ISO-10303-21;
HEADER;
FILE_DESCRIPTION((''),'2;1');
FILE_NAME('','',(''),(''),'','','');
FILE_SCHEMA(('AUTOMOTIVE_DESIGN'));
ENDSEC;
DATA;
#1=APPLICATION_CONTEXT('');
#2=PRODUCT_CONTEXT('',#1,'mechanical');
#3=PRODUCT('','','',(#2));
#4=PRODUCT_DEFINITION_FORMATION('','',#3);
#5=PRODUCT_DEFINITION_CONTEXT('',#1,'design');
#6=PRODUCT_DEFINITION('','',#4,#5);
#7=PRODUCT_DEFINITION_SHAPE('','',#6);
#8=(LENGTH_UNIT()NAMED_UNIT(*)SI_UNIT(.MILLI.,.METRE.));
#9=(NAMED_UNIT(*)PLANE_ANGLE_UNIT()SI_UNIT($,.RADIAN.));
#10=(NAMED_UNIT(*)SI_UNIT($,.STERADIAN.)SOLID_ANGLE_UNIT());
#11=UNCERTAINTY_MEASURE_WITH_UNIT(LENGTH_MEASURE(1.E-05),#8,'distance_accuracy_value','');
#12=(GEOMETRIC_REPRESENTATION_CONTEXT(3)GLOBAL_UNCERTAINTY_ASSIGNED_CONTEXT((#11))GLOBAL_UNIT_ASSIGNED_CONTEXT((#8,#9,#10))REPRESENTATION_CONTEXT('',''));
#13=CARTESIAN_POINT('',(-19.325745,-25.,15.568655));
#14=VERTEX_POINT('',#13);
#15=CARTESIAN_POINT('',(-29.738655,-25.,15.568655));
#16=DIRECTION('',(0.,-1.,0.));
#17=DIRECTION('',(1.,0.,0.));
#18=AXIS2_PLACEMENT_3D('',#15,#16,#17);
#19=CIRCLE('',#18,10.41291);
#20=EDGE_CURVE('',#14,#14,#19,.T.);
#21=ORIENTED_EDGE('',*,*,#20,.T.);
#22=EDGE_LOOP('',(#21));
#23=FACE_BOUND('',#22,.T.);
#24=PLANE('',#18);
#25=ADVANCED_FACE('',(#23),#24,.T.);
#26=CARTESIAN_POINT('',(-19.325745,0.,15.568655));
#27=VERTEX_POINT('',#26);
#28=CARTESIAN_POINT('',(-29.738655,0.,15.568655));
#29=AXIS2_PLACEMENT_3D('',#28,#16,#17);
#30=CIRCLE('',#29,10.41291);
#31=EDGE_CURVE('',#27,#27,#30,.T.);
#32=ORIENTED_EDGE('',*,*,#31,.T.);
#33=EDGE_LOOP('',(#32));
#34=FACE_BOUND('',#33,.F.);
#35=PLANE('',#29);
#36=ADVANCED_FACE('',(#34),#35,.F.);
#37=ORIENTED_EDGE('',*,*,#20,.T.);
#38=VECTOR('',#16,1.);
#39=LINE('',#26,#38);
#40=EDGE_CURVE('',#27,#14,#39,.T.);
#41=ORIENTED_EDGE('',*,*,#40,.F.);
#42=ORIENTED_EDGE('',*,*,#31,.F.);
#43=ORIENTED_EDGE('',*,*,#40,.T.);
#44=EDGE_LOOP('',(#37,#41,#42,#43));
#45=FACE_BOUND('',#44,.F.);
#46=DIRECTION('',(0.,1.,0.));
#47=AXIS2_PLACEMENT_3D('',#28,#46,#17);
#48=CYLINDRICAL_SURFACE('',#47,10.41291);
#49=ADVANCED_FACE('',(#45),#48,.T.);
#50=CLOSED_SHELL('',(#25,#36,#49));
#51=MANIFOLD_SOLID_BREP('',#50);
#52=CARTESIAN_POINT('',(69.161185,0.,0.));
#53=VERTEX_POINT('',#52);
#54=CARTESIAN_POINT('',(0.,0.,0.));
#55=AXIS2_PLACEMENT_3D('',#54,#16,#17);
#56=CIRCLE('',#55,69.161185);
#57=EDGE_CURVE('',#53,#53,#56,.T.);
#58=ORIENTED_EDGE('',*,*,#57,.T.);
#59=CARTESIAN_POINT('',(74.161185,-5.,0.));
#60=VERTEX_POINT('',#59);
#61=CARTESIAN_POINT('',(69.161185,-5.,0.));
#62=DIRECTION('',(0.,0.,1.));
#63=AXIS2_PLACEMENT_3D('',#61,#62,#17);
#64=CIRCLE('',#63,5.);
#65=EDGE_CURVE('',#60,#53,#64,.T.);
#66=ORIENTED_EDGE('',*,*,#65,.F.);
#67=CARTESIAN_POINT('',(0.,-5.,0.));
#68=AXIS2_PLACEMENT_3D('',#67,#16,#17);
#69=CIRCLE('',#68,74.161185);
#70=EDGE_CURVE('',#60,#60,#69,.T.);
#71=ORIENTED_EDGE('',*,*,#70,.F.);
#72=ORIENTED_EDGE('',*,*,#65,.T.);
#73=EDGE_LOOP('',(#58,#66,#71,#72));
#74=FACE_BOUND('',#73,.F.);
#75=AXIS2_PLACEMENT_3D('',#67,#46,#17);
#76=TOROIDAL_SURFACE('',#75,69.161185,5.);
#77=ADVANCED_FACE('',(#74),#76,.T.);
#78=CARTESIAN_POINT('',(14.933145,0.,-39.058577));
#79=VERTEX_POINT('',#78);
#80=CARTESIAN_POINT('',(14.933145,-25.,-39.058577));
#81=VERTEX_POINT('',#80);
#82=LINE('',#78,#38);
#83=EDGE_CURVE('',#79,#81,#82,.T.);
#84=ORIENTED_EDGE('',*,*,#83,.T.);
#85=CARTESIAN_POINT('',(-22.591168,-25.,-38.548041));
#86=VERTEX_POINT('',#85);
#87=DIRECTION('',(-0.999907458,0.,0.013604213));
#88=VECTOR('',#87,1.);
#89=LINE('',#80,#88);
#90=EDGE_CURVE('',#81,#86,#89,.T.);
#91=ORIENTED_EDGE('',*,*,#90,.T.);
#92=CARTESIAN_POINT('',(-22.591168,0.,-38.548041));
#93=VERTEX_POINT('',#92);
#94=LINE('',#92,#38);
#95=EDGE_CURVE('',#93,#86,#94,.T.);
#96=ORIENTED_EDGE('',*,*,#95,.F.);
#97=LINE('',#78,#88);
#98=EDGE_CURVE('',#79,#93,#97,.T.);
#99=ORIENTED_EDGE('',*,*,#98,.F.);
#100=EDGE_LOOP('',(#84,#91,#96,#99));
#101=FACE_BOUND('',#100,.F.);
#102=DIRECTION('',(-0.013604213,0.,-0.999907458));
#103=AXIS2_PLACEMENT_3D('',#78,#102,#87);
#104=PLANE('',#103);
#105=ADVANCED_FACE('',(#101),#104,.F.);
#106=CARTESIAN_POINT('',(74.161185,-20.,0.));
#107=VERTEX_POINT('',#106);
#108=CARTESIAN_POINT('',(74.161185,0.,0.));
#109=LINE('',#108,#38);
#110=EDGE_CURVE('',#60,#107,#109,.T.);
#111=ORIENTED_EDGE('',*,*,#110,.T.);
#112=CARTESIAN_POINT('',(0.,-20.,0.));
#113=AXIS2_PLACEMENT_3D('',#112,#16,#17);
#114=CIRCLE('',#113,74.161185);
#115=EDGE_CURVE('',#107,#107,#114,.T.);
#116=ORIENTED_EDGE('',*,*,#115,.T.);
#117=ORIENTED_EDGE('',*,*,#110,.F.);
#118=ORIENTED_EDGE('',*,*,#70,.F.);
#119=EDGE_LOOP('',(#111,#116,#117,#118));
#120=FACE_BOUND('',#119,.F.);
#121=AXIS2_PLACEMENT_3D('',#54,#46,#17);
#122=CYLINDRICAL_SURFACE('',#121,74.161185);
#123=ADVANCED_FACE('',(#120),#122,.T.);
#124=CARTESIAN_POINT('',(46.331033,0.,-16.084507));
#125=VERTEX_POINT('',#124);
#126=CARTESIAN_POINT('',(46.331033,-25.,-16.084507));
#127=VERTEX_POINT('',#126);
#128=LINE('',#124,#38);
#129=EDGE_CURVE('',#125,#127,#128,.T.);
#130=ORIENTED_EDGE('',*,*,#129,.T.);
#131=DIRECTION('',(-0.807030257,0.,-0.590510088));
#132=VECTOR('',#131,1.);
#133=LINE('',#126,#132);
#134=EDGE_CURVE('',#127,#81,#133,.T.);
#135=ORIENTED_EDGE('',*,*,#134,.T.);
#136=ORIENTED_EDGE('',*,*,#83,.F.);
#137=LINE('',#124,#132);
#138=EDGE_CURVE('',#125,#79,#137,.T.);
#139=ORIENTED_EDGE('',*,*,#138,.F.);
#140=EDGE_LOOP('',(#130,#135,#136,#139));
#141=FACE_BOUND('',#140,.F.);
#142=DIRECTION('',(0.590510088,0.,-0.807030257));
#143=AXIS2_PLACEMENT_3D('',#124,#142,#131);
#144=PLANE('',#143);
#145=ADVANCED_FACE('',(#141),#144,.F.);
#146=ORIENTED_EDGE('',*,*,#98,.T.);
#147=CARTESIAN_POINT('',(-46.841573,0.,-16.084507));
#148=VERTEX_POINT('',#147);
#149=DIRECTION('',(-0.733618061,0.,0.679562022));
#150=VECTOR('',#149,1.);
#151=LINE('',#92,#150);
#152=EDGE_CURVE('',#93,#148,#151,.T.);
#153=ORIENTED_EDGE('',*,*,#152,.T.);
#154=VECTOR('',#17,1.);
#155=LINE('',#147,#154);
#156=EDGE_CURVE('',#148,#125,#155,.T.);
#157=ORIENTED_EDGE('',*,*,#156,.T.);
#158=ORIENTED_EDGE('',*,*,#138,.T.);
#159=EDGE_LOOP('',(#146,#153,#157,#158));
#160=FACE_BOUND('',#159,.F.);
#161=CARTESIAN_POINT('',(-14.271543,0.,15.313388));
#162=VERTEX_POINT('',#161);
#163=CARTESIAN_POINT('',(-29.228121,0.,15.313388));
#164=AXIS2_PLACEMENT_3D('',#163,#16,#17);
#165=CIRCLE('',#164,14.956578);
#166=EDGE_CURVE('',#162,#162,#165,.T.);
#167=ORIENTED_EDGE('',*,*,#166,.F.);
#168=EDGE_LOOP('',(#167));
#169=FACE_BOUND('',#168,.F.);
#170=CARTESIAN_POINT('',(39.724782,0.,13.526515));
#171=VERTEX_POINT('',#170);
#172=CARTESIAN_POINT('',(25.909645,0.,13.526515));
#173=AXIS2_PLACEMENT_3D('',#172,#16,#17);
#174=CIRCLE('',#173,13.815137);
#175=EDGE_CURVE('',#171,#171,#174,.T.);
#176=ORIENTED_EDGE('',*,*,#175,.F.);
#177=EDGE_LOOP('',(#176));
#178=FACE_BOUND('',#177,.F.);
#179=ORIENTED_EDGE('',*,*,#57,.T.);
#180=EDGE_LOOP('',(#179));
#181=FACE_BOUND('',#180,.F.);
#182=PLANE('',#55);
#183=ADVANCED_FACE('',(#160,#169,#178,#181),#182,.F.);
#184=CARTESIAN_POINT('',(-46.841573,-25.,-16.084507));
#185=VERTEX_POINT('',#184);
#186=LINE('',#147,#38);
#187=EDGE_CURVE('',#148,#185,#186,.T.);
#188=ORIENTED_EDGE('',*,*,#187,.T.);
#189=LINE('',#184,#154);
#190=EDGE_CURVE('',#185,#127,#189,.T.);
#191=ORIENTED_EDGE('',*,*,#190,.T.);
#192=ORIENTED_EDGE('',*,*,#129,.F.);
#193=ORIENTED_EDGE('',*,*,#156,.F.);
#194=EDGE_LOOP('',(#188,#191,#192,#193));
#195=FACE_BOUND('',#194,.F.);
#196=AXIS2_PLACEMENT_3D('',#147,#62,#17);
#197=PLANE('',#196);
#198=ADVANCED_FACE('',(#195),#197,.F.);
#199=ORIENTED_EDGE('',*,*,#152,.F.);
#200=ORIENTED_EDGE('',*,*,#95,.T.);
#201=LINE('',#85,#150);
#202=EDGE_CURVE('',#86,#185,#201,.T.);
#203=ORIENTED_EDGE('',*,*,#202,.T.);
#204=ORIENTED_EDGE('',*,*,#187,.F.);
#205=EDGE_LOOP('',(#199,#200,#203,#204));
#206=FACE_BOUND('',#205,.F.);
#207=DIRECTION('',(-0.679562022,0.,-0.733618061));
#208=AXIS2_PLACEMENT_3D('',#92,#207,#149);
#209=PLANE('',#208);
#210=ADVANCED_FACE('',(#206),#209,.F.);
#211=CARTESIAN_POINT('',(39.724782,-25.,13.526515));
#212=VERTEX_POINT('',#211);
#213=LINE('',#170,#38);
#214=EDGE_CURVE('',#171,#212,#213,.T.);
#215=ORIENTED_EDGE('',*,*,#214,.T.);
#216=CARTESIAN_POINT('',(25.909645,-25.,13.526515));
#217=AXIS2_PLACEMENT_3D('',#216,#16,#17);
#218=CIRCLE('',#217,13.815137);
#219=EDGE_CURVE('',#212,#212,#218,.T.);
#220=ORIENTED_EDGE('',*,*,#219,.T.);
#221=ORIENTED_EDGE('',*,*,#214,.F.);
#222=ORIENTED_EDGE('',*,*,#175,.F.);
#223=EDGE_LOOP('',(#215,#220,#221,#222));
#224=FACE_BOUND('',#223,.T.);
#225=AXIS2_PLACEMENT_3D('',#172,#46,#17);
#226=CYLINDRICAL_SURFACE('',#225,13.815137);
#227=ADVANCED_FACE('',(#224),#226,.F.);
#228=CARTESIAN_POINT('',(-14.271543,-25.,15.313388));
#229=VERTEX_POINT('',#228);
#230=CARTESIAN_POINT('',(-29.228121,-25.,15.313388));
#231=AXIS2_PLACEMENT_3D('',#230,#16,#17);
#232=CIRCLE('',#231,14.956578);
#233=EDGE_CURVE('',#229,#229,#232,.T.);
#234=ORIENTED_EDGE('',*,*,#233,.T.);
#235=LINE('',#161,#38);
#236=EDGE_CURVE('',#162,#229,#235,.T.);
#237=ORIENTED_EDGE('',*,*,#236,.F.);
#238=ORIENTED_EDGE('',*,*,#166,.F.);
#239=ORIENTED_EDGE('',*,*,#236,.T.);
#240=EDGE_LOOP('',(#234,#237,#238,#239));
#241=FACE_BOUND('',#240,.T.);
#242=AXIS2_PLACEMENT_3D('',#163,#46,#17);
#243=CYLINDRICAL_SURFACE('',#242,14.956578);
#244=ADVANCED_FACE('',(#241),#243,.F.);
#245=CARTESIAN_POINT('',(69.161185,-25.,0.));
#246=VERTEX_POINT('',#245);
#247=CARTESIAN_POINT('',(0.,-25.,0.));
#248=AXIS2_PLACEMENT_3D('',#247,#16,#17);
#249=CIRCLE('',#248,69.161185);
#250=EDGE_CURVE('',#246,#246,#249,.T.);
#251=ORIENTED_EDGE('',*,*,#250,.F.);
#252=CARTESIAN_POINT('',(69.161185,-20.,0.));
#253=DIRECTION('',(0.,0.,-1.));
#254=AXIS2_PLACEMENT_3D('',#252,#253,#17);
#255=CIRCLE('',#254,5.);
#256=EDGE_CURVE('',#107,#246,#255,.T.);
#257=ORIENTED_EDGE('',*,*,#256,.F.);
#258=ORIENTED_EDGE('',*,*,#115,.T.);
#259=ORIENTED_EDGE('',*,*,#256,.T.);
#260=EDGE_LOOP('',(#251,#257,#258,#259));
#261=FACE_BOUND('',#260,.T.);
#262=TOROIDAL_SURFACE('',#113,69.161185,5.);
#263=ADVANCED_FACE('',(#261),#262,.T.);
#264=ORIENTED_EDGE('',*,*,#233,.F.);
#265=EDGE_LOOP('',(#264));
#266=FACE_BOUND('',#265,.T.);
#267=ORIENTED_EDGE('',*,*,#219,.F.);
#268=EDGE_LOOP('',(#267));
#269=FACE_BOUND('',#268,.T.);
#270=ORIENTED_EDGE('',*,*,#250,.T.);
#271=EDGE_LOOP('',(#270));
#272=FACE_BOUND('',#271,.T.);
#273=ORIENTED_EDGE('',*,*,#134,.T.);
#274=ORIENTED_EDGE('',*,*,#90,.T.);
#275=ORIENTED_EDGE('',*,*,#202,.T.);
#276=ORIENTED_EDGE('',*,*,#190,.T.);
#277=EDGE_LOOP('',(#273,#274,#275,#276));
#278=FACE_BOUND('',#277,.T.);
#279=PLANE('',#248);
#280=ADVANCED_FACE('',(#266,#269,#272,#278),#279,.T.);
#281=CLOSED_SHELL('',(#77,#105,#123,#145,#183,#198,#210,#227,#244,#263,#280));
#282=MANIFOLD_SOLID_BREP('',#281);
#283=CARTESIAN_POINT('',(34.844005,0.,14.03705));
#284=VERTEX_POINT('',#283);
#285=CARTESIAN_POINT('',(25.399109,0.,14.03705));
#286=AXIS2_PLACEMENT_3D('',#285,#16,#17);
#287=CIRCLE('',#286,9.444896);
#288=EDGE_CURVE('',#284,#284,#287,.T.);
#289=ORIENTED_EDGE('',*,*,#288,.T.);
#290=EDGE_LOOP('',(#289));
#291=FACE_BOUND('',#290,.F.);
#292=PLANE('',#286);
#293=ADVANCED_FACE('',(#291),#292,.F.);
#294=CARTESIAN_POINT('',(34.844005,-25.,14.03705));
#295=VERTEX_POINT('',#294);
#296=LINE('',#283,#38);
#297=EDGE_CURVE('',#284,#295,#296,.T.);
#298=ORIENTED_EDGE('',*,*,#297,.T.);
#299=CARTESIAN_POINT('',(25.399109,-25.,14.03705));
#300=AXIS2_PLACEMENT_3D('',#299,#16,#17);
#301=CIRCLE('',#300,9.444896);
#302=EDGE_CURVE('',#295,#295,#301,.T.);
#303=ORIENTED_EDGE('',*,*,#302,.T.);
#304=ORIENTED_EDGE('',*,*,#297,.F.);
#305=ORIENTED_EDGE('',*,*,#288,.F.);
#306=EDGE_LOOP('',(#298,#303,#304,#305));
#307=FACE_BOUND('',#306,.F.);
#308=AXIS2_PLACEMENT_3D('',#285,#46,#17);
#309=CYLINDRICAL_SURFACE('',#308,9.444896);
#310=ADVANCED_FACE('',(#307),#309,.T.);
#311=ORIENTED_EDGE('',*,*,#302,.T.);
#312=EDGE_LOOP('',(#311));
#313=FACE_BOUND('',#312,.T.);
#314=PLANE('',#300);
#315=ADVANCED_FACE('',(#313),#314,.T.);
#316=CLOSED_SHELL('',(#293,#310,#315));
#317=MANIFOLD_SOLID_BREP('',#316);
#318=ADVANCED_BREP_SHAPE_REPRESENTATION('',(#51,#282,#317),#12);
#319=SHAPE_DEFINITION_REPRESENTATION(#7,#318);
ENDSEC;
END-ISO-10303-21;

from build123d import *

# Parameters (mm, degrees)
F0_R     = 74.161185
F0_R_2   = 14.956578
F0_R_3   = 13.815137
F1_DEPTH = 25
F2_R     = 9.444896
F2_R_2   = 10.41291
F3_DEPTH = 25
F4_R     = 5


with BuildPart() as f1:
    # F0 (on Front) → F1 (new body)
    with BuildSketch(Plane.XZ):
        Circle(F0_R)
        Polygon((-22.591168, -38.548041), (-46.841573, -16.084507), (46.331033, -16.084507), (14.933145, -39.058577), align=None, mode=Mode.SUBTRACT)
        with Locations((-29.228121, 15.313388)):
            Circle(F0_R_2, mode=Mode.SUBTRACT)
        with Locations((25.909645, 13.526515)):
            Circle(F0_R_3, mode=Mode.SUBTRACT)
    extrude(amount=F1_DEPTH)

    # F4
    f4_edges = [f1.edges().sort_by_distance(p)[0] for p in [
        (74.161185, -12.5, 0),
        (-74.161185, 0, 0),
        (-74.161185, -25, 0),
    ]]
    fillet(f4_edges, radius=F4_R)


with BuildPart() as f3:
    # F2 (on Front) → F3 (new body)
    with BuildSketch(Plane.XZ):
        with Locations((25.399109, 14.03705)):
            Circle(F2_R)
        with Locations((-29.738655, 15.568655)):
            Circle(F2_R_2)
    extrude(amount=F3_DEPTH)


solid = Compound([f1.part, f3.part])
